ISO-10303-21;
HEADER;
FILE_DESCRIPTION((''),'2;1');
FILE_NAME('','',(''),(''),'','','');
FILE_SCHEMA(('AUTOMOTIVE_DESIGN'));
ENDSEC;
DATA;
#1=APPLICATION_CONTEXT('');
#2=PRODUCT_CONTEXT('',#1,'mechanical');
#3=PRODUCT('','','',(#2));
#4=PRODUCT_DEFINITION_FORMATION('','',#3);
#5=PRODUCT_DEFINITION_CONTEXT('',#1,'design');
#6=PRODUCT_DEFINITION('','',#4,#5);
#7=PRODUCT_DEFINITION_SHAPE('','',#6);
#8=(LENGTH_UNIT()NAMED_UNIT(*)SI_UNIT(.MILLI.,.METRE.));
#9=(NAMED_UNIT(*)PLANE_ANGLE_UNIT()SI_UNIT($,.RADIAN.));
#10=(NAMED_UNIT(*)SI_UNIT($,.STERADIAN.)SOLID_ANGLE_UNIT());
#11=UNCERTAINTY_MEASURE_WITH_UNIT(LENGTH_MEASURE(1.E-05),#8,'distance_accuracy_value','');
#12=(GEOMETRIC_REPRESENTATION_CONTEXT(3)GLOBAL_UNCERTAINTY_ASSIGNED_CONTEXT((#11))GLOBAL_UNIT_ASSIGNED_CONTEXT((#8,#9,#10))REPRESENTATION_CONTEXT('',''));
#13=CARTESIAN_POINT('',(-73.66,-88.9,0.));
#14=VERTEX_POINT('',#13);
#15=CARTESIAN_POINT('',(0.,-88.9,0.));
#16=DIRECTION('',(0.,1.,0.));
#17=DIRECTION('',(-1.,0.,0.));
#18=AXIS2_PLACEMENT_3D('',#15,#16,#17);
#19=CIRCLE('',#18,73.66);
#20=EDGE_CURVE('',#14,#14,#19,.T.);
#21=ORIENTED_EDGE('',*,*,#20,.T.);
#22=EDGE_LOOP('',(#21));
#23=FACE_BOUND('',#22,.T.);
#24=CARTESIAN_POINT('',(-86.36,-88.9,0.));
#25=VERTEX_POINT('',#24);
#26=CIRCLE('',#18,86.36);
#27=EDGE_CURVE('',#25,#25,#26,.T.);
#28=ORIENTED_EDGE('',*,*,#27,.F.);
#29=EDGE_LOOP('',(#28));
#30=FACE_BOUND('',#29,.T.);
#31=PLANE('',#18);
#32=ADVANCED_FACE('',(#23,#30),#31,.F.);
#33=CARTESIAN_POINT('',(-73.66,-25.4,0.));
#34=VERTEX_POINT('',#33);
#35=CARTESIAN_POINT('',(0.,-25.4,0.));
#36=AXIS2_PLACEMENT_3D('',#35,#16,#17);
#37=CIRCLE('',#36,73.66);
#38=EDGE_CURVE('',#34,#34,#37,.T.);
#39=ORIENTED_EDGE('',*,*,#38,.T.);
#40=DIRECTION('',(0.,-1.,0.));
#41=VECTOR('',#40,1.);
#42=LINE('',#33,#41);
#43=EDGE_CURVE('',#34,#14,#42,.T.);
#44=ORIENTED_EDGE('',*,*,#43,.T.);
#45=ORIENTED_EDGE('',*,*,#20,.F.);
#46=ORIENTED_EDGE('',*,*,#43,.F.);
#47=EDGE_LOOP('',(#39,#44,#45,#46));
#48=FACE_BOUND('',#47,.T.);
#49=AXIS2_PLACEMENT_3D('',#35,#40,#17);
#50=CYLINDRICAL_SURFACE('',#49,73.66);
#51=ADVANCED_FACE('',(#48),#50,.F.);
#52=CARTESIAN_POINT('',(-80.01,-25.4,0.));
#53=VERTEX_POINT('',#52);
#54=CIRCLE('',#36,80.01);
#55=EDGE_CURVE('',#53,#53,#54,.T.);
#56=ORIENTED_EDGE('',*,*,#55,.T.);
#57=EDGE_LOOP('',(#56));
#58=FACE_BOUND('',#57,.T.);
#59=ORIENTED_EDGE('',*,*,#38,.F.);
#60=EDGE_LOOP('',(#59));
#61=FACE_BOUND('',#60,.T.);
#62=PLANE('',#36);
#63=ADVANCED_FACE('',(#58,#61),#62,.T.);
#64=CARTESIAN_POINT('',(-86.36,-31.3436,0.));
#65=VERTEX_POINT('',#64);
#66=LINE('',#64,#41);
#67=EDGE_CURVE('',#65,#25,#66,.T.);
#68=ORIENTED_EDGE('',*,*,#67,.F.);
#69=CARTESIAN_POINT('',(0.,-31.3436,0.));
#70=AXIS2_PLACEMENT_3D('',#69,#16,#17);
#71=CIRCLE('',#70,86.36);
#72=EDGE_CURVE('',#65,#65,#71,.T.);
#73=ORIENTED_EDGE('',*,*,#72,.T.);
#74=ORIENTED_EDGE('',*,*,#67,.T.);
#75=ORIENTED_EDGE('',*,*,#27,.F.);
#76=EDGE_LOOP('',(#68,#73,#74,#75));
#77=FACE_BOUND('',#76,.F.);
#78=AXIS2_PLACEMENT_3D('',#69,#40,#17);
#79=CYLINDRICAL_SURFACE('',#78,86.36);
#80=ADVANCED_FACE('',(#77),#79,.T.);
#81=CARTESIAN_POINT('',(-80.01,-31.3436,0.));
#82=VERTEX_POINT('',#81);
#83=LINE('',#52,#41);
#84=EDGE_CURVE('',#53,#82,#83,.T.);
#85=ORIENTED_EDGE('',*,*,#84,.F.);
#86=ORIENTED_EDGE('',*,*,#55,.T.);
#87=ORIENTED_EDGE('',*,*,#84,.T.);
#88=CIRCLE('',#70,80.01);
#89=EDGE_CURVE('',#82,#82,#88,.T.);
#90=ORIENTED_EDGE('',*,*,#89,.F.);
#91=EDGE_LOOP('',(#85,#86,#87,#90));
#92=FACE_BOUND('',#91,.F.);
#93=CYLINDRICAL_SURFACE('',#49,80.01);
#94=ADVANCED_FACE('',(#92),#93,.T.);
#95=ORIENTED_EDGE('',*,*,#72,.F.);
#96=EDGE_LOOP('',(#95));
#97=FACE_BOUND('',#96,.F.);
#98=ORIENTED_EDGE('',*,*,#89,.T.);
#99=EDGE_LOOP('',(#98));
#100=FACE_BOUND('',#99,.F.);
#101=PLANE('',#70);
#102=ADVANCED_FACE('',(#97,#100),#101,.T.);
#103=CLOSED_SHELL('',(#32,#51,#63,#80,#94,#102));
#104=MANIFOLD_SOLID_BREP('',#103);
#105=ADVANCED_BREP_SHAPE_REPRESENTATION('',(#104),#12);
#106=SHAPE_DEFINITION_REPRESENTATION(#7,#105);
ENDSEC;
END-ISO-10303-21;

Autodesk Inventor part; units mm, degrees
ref_plane "YZ Plane" through (0, 0, 0) normal (1, 0, 0) x (0, 1, 0)
ref_plane "XZ Plane" through (0, 0, 0) normal (0, 1, 0) x (-1, 0, 0)
ref_plane "XY Plane" through (0, 0, 0) normal (0, 0, 1) x (1, 0, 0)
sketch "Sketch1" plane through (0, 0, 0) normal (0, 0, 1) x (1, 0, 0)
  line L0 (0, 25.4) -> (-28.702, 25.4) construction
  line L1 (0, 25.4) -> (-86.36, 25.4) construction
  line L2 (-86.36, 25.4) -> (-80.01, 25.4) construction
  line L3 (-80.01, 25.4) -> (-73.66, 22.4389) construction
  line L4 (-80.01, 25.4) -> (-80.01, 22.4389) construction
  line L5 (-80.01, 0) -> (-86.36, 0)
  line L6 (-28.702, 59.6457) -> (-28.702, -91.9304) construction
  arc A0 (-28.9184, -4.2142) -> (-32.3684, 3.1843) centre (-35.052, -2.5707) ccw
  line L7 (-67.31, -147.4937) -> (-28.9184, -4.2142)
  line L8 (-80.01, 22.4389) -> (-73.66, 22.4389)
  line L9 (-80.01, 22.4389) -> (-80.01, 0)
  line L10 (-73.66, 22.4389) -> (-32.3684, 3.1843)
  line L11 (-28.702, -2.5707) -> (-60.452, -2.5707) construction
  line L12 (-60.452, 16.28) -> (-60.452, -121.8993) construction
  line L13 (-60.452, -121.8993) -> (-54.102, -121.8993) construction
  line L14 (-54.102, -121.8993) -> (-54.102, -98.2008) construction
  line L15 (-54.102, -98.2008) -> (-60.452, -98.2008)
  line L16 (-60.452, 16.28) -> (-60.452, 6.755) construction
  line L17 (-60.452, 16.28) -> (-60.452, 9.93) construction
  line L18 (-60.452, 9.93) -> (-46.8344, 9.93)
  line L19 (-60.452, 9.93) -> (-60.452, -98.2008)
  line L20 (-86.36, 0) -> (-86.36, -12.7) construction
  line L21 (-60.452, -12.7) -> (-73.152, -12.7) construction
  line L22 (-86.36, -12.7) -> (-86.36, -25.4) construction
  line L23 (-86.36, -25.4) -> (-86.36, -88.9) construction
  line L24 (-86.36, -88.9) -> (-73.66, -88.9) construction
  line L25 (-73.66, -88.9) -> (-73.66, -25.4) construction
  line L26 (-86.36, -25.4) -> (-73.66, -25.4)
  line L27 (-73.66, -25.4) -> (-73.66, -88.9)
  line L28 (-73.66, -88.9) -> (-86.36, -88.9)
  line L29 (-86.36, -12.7) -> (-73.152, -12.7)
  line L30 (-73.152, -133.7486) -> (-63.627, -133.7486)
  line L31 (-73.66, -88.9) -> (-73.66, -147.4937)
  line L32 (-73.66, -147.4937) -> (-67.31, -147.4937)
  line L33 (-73.152, -12.7) -> (-73.152, -133.7486)
  line L34 (-80.01, -25.4) -> (-80.01, -31.3436)
  line L35 (-80.01, -31.3436) -> (-86.36, -31.3436)
  line L36 (-86.36, 0) -> (-86.36, -25.4)
  line L37 (-86.36, -31.3436) -> (-86.36, -88.9)
  line L38 (0, -319.0244) -> (0, 122.7573) projected
  point P0 (0, 0)
  point P1 (-86.36, -255.9127)
  point P2 (-76.835, 22.4389)
  dimension "d0" = 28.702
  dimension "d1" = 86.36
  dimension "d2" = 6.35
  dimension "d3" = 25
  dimension "d5" = 25.4
  dimension "d6" = 25.4
  dimension "d8" = 12.7
  dimension "d11" = 6.35
  dimension "d12" = 31.75
  dimension "d13" = 6.35
  dimension "d15" = 6.35
  dimension "d16" = 12.7
  dimension "d17" = 12.7
  dimension "d18" = 12.7
  dimension "d19" = 63.5
  dimension "d20" = 12.7
  dimension "d22" = 9.525
  dimension "d23" = 6.35
  dimension "d25" = 5.9436
  dimension "d26" = 15
revolve "Revolution4" add sketch "Sketch1" angle 360 about axis through (0, -10, 0) along (0, 1, 0) contours L26 L27 L28 L37 L35 L34
properties part number "Retainer Master Sketch"
